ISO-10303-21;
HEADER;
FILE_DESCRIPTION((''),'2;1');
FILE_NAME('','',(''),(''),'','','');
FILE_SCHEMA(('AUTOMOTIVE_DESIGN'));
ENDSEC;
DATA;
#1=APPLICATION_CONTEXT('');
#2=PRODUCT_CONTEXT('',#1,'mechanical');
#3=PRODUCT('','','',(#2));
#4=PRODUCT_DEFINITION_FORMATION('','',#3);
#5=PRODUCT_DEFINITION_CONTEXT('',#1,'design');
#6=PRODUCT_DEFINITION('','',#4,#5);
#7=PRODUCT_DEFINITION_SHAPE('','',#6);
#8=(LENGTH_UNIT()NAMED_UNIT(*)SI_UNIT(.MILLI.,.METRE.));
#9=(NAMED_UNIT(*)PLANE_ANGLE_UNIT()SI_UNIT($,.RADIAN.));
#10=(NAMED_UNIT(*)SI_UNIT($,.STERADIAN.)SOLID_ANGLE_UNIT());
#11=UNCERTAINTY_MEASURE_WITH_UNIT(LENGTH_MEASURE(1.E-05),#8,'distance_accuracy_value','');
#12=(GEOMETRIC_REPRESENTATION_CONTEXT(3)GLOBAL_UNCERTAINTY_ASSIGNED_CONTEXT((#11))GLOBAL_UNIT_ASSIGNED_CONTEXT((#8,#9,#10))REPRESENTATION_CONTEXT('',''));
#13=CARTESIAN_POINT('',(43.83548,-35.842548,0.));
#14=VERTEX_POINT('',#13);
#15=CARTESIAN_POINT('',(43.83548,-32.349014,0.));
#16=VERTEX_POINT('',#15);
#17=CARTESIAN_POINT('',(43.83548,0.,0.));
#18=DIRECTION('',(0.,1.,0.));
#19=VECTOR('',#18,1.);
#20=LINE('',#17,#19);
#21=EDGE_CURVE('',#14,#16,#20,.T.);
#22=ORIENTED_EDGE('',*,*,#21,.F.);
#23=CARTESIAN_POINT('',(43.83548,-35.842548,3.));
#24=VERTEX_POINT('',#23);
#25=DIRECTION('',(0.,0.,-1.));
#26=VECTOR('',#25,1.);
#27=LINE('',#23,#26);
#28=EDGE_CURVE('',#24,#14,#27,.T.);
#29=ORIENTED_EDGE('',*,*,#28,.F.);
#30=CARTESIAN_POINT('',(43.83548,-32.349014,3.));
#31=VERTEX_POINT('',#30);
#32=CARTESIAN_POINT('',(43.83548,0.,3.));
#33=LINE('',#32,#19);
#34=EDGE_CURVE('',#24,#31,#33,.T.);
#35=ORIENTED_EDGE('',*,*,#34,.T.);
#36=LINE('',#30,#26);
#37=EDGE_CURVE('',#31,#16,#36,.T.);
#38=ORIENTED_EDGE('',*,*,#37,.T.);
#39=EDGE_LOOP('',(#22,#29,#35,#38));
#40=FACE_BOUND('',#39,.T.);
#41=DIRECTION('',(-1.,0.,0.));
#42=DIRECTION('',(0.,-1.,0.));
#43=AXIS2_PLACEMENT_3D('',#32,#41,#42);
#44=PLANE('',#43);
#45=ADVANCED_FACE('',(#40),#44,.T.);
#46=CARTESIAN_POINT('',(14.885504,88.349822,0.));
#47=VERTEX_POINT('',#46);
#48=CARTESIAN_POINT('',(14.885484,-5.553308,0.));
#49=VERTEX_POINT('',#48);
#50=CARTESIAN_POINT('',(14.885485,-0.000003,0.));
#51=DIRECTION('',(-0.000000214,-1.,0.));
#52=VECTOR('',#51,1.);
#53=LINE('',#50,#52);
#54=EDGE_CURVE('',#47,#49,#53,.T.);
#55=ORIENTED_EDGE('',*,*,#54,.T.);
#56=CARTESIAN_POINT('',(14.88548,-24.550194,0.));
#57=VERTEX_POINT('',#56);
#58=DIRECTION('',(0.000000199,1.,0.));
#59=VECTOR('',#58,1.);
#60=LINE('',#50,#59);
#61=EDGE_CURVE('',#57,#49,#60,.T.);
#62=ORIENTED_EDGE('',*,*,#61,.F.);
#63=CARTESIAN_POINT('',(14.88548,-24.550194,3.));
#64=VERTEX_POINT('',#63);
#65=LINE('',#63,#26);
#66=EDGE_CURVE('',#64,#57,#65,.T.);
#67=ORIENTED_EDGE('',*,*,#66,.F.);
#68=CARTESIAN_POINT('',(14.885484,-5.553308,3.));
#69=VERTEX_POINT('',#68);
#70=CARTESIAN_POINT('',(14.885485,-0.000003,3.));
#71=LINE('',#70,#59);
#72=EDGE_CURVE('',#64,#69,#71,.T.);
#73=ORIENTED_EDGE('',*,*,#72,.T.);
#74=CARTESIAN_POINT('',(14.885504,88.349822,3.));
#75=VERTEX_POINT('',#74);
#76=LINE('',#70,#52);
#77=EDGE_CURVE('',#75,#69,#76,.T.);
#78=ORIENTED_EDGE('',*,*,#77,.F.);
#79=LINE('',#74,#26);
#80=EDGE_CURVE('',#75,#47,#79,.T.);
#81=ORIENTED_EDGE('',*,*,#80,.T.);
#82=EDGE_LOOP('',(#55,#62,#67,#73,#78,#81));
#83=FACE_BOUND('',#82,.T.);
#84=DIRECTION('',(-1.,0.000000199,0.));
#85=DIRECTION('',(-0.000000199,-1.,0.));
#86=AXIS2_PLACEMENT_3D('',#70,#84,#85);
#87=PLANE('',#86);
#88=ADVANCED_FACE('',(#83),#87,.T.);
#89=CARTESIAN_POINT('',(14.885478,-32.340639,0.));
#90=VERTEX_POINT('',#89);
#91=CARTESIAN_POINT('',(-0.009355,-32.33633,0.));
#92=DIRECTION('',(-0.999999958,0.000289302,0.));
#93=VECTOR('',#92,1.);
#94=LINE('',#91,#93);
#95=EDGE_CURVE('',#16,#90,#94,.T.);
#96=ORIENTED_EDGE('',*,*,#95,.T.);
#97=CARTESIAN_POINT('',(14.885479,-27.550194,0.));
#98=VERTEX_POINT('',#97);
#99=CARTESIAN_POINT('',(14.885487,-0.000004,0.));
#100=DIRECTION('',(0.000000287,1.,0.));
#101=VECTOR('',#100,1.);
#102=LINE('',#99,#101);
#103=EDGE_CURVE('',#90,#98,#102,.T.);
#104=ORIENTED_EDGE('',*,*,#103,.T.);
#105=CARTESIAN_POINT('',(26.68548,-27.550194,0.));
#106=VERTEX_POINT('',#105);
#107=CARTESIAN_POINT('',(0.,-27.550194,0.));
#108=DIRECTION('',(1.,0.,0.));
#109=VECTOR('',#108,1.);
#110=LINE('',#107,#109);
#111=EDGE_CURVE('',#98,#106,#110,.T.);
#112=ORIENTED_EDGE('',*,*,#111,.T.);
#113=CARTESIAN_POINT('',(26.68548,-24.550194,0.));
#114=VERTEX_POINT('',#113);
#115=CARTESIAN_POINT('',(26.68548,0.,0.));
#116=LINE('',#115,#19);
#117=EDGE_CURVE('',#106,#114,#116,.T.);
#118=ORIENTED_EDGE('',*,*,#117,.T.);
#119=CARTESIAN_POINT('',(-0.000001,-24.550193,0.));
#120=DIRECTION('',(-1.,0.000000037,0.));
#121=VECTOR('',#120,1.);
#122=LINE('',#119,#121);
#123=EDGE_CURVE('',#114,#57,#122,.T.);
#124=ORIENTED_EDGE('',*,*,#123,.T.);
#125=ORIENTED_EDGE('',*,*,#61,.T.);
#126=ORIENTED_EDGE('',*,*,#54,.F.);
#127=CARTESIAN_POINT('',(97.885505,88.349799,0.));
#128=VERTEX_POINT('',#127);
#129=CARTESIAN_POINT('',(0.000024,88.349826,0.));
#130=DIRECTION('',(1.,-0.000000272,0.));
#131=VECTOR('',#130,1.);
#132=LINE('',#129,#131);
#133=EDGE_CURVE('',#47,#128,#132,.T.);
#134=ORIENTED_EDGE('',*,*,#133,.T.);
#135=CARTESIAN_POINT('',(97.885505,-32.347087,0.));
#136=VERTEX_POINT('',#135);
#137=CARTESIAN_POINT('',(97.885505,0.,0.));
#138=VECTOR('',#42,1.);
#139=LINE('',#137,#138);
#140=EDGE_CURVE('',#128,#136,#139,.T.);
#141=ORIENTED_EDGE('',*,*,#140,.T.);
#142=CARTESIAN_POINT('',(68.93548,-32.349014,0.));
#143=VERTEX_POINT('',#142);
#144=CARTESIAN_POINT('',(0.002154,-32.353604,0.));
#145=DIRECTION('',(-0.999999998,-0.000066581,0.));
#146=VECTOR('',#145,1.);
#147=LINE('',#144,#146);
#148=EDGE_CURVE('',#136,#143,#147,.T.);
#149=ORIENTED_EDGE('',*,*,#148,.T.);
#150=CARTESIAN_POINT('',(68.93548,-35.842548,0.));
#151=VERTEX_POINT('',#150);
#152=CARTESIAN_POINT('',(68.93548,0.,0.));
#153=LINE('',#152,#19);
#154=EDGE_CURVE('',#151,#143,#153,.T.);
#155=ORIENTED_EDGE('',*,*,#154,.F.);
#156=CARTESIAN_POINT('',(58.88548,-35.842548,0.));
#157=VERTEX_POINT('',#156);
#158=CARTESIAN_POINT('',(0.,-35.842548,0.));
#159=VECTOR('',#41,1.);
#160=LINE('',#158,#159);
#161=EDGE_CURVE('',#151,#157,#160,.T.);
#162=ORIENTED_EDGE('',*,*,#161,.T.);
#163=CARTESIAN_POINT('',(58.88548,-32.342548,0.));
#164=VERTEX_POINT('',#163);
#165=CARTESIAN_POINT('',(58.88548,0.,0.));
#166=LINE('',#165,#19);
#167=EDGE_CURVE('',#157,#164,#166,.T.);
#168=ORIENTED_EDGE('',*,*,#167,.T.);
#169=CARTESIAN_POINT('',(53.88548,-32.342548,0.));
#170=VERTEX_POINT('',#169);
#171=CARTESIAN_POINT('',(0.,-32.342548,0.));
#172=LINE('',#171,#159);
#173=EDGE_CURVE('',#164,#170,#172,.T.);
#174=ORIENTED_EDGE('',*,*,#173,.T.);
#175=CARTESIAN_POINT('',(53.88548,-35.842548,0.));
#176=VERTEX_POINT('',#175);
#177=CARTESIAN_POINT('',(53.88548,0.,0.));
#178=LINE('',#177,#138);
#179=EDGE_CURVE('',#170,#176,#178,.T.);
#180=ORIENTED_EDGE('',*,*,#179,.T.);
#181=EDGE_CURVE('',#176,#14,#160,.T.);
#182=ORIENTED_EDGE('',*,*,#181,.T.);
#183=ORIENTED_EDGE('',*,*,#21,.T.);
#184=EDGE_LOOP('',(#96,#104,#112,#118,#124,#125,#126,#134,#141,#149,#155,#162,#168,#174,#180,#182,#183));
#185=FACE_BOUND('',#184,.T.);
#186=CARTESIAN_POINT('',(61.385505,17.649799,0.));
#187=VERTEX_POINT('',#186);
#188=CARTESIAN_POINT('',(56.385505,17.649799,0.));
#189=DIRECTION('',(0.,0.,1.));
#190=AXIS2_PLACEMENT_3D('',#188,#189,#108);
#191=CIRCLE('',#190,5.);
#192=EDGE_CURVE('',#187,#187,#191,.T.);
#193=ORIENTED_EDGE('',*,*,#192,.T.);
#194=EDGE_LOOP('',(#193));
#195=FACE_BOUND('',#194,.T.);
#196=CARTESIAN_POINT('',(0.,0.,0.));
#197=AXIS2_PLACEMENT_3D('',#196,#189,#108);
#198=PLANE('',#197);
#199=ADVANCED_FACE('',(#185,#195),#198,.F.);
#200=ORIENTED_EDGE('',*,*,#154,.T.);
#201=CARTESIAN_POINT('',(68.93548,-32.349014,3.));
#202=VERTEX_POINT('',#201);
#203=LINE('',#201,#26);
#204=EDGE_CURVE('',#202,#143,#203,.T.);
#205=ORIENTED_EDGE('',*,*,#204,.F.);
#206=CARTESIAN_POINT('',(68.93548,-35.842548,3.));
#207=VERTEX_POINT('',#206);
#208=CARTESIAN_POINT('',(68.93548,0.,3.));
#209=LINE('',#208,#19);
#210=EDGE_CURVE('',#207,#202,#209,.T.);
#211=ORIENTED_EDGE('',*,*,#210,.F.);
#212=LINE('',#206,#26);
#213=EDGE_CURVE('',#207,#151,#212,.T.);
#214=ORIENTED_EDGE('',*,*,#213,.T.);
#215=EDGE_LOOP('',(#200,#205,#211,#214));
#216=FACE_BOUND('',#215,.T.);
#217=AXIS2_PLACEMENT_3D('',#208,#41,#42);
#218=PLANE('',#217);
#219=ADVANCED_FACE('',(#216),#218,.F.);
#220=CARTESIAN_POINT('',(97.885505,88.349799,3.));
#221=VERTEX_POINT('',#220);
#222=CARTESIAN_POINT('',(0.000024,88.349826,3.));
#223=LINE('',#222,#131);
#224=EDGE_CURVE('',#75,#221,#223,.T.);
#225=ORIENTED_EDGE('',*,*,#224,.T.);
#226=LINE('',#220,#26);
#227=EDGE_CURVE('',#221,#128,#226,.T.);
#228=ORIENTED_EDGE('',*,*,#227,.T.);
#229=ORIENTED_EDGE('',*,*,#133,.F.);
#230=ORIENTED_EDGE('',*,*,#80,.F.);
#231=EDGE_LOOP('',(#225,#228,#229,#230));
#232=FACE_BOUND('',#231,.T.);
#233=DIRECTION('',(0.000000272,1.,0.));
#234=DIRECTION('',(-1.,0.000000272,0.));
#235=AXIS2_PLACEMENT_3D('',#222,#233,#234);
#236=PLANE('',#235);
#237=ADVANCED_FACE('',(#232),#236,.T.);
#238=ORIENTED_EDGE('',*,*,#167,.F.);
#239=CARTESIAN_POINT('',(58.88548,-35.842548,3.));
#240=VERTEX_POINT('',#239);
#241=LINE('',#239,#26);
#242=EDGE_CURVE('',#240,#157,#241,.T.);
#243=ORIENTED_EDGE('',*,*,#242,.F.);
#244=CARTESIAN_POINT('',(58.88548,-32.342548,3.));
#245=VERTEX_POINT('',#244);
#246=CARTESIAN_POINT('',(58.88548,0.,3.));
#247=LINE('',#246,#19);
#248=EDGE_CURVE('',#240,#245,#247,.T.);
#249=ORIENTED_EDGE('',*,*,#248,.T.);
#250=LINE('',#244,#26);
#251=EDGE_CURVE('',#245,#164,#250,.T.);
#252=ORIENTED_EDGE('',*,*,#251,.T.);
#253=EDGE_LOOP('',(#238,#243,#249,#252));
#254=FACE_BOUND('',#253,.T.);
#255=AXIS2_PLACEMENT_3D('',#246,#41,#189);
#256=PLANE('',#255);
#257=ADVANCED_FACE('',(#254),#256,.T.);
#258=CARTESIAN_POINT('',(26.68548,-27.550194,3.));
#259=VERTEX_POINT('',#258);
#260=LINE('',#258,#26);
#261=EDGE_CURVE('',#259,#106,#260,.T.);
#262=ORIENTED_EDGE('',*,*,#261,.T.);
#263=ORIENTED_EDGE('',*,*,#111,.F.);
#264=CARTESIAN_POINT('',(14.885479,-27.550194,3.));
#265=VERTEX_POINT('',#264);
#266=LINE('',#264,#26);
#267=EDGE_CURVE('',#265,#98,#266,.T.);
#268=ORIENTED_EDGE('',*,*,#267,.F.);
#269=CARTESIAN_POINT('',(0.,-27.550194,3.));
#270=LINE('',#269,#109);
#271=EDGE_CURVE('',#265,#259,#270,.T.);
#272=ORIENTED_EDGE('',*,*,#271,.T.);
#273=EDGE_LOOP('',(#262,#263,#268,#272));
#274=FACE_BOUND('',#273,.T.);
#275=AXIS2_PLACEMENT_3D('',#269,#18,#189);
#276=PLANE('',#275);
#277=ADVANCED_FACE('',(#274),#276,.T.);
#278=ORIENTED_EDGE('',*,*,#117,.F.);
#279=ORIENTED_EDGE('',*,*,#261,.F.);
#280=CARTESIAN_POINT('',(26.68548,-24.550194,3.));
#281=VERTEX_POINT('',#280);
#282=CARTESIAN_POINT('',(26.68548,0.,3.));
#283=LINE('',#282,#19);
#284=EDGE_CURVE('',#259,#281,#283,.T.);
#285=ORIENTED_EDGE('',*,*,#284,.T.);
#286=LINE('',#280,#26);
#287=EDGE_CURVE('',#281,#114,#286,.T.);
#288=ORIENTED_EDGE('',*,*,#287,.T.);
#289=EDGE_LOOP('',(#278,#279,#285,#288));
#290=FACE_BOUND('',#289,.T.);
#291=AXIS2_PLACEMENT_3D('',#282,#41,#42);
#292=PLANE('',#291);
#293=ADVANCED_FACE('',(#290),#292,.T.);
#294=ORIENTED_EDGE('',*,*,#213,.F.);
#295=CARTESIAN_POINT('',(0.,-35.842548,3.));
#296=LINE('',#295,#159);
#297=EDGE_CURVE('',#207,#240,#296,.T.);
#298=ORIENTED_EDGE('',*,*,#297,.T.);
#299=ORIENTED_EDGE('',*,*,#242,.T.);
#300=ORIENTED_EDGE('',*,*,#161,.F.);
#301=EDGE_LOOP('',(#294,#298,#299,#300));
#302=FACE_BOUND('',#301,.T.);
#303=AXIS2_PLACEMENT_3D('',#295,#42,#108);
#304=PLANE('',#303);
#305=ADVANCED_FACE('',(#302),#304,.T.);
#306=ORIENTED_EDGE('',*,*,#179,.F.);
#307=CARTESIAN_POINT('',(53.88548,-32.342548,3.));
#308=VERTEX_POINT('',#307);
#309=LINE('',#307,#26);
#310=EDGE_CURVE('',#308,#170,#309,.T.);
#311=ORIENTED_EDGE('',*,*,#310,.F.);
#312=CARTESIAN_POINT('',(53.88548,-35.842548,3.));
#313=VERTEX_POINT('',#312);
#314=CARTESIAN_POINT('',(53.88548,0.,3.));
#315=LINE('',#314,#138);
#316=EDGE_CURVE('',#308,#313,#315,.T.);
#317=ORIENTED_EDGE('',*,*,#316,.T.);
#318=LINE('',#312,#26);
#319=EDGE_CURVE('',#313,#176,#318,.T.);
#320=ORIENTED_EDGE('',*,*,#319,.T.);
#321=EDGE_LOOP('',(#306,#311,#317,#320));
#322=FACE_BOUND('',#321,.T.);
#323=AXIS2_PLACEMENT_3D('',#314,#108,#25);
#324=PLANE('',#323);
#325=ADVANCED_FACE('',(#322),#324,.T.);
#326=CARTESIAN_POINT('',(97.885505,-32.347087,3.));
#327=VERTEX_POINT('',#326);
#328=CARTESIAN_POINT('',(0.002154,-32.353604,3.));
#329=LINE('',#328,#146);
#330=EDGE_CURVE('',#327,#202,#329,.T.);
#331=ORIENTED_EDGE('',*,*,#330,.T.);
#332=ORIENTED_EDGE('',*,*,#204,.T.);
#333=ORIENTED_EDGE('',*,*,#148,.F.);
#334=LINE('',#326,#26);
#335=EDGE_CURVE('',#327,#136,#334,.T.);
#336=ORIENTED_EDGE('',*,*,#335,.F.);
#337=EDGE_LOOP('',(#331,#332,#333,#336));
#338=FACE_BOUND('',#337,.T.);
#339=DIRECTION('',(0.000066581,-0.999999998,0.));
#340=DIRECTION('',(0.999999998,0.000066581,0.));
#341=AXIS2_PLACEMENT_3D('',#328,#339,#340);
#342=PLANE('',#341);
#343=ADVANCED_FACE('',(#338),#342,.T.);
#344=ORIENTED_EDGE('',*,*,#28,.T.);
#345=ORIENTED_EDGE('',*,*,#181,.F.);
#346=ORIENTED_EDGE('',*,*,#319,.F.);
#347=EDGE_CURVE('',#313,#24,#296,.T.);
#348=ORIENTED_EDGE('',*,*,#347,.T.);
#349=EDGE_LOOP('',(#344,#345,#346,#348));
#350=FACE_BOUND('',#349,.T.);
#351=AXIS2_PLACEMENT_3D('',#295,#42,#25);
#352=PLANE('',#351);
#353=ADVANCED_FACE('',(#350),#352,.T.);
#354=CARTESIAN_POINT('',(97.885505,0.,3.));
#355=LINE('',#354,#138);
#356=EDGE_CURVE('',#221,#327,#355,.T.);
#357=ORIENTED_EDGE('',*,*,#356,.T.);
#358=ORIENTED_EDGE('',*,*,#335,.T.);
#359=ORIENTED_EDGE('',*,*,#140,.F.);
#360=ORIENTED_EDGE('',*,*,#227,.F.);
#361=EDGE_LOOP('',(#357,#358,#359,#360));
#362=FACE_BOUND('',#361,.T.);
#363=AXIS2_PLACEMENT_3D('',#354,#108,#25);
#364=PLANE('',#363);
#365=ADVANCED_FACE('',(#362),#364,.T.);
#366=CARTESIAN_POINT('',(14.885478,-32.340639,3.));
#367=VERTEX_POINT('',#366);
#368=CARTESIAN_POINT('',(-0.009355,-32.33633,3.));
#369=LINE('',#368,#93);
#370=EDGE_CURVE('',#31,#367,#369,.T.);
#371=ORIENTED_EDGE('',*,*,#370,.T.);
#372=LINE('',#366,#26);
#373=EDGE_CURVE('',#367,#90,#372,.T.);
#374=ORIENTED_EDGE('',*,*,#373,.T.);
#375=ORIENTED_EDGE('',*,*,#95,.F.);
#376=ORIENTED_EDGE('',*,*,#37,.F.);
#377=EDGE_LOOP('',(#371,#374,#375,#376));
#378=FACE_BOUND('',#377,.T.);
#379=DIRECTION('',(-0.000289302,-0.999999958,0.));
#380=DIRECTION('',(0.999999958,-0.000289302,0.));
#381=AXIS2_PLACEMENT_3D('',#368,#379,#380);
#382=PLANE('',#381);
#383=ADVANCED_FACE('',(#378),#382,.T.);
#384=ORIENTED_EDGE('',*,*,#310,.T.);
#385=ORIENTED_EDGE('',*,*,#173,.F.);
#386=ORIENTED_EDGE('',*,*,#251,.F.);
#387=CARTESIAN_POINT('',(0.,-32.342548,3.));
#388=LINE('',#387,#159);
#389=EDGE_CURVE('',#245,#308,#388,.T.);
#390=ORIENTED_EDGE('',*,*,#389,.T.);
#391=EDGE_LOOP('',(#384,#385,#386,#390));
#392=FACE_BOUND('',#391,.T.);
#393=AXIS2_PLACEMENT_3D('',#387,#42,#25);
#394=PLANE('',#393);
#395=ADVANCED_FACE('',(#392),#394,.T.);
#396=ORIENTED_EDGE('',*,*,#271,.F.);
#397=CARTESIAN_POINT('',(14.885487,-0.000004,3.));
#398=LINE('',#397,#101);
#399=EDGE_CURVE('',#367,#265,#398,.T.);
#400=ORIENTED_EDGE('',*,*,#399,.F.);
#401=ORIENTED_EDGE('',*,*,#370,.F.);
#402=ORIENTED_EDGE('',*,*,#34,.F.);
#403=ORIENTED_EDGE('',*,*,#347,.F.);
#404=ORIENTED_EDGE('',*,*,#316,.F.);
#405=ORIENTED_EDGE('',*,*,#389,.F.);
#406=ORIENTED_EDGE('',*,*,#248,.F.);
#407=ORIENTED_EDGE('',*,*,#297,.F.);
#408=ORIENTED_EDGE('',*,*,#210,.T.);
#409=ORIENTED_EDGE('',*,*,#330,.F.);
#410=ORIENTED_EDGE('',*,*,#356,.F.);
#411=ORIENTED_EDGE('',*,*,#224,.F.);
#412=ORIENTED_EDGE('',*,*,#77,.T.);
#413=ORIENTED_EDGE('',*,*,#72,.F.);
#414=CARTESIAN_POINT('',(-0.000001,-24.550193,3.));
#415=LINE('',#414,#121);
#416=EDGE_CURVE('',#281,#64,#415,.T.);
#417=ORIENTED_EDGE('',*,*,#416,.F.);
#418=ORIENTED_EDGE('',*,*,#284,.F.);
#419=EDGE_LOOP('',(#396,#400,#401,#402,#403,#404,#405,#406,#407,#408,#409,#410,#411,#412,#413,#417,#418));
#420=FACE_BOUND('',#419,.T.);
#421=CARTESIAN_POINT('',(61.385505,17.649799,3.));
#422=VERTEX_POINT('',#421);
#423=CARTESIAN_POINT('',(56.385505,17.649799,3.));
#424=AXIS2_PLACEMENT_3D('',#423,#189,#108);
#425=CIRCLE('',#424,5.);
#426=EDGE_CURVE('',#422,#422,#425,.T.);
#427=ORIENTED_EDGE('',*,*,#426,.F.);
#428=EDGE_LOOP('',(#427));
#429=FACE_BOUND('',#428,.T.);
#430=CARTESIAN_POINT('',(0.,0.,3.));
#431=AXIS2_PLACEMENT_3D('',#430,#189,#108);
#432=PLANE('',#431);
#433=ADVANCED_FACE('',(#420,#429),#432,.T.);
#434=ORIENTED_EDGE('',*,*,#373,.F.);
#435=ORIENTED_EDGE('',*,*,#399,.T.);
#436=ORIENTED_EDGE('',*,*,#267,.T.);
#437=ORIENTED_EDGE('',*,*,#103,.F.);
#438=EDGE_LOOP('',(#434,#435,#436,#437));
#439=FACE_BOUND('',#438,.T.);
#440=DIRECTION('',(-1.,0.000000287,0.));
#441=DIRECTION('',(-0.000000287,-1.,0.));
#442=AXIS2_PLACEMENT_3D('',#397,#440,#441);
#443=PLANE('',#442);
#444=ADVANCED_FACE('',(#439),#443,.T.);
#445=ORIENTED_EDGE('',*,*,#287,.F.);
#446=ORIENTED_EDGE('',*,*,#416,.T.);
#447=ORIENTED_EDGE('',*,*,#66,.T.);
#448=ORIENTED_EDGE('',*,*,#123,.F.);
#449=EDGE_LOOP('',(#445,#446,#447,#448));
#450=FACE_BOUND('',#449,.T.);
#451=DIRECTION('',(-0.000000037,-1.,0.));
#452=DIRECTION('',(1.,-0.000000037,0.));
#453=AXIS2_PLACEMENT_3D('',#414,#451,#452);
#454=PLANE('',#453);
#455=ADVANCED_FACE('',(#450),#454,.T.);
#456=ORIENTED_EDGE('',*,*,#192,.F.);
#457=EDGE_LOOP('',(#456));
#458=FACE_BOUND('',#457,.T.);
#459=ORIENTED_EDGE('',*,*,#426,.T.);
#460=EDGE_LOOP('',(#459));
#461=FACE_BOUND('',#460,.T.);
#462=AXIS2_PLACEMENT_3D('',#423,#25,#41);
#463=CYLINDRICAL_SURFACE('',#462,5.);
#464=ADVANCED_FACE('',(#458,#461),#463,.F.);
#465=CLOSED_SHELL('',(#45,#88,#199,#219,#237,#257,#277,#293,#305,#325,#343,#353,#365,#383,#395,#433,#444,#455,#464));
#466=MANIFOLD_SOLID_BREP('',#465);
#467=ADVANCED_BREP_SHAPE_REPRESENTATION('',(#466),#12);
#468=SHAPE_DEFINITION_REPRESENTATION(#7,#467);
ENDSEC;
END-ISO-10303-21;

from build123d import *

# Parameters (mm, degrees)
MODEL_R                 = 5
SALIENTE_EXTRUIR1_DEPTH = 3


with BuildPart() as part:
    # Model → Saliente-Extruir1 (new body)
    with BuildSketch(Plane.XY):
        Polygon((43.835480064, -35.842547763), (43.835480064, -32.349014415), (14.885477826, -32.340639111), (14.885479202, -27.550194175), (26.685480393, -27.550194175), (26.685480393, -24.550194175), (14.885480064, -24.550193732), (14.885483847, -5.553308235), (14.885503897, 88.349821578), (97.885505249, 88.349799035), (97.885505249, -32.347086905), (68.935480064, -32.349014415), (68.935480064, -35.842547763), (58.885480064, -35.842547763), (58.885480064, -32.342547763), (53.885480064, -32.342547763), (53.885480064, -35.842547763), align=None)
        with Locations((56.385505249, 17.649799035)):
            Circle(MODEL_R, mode=Mode.SUBTRACT)
    extrude(amount=SALIENTE_EXTRUIR1_DEPTH)


solid = part.part
